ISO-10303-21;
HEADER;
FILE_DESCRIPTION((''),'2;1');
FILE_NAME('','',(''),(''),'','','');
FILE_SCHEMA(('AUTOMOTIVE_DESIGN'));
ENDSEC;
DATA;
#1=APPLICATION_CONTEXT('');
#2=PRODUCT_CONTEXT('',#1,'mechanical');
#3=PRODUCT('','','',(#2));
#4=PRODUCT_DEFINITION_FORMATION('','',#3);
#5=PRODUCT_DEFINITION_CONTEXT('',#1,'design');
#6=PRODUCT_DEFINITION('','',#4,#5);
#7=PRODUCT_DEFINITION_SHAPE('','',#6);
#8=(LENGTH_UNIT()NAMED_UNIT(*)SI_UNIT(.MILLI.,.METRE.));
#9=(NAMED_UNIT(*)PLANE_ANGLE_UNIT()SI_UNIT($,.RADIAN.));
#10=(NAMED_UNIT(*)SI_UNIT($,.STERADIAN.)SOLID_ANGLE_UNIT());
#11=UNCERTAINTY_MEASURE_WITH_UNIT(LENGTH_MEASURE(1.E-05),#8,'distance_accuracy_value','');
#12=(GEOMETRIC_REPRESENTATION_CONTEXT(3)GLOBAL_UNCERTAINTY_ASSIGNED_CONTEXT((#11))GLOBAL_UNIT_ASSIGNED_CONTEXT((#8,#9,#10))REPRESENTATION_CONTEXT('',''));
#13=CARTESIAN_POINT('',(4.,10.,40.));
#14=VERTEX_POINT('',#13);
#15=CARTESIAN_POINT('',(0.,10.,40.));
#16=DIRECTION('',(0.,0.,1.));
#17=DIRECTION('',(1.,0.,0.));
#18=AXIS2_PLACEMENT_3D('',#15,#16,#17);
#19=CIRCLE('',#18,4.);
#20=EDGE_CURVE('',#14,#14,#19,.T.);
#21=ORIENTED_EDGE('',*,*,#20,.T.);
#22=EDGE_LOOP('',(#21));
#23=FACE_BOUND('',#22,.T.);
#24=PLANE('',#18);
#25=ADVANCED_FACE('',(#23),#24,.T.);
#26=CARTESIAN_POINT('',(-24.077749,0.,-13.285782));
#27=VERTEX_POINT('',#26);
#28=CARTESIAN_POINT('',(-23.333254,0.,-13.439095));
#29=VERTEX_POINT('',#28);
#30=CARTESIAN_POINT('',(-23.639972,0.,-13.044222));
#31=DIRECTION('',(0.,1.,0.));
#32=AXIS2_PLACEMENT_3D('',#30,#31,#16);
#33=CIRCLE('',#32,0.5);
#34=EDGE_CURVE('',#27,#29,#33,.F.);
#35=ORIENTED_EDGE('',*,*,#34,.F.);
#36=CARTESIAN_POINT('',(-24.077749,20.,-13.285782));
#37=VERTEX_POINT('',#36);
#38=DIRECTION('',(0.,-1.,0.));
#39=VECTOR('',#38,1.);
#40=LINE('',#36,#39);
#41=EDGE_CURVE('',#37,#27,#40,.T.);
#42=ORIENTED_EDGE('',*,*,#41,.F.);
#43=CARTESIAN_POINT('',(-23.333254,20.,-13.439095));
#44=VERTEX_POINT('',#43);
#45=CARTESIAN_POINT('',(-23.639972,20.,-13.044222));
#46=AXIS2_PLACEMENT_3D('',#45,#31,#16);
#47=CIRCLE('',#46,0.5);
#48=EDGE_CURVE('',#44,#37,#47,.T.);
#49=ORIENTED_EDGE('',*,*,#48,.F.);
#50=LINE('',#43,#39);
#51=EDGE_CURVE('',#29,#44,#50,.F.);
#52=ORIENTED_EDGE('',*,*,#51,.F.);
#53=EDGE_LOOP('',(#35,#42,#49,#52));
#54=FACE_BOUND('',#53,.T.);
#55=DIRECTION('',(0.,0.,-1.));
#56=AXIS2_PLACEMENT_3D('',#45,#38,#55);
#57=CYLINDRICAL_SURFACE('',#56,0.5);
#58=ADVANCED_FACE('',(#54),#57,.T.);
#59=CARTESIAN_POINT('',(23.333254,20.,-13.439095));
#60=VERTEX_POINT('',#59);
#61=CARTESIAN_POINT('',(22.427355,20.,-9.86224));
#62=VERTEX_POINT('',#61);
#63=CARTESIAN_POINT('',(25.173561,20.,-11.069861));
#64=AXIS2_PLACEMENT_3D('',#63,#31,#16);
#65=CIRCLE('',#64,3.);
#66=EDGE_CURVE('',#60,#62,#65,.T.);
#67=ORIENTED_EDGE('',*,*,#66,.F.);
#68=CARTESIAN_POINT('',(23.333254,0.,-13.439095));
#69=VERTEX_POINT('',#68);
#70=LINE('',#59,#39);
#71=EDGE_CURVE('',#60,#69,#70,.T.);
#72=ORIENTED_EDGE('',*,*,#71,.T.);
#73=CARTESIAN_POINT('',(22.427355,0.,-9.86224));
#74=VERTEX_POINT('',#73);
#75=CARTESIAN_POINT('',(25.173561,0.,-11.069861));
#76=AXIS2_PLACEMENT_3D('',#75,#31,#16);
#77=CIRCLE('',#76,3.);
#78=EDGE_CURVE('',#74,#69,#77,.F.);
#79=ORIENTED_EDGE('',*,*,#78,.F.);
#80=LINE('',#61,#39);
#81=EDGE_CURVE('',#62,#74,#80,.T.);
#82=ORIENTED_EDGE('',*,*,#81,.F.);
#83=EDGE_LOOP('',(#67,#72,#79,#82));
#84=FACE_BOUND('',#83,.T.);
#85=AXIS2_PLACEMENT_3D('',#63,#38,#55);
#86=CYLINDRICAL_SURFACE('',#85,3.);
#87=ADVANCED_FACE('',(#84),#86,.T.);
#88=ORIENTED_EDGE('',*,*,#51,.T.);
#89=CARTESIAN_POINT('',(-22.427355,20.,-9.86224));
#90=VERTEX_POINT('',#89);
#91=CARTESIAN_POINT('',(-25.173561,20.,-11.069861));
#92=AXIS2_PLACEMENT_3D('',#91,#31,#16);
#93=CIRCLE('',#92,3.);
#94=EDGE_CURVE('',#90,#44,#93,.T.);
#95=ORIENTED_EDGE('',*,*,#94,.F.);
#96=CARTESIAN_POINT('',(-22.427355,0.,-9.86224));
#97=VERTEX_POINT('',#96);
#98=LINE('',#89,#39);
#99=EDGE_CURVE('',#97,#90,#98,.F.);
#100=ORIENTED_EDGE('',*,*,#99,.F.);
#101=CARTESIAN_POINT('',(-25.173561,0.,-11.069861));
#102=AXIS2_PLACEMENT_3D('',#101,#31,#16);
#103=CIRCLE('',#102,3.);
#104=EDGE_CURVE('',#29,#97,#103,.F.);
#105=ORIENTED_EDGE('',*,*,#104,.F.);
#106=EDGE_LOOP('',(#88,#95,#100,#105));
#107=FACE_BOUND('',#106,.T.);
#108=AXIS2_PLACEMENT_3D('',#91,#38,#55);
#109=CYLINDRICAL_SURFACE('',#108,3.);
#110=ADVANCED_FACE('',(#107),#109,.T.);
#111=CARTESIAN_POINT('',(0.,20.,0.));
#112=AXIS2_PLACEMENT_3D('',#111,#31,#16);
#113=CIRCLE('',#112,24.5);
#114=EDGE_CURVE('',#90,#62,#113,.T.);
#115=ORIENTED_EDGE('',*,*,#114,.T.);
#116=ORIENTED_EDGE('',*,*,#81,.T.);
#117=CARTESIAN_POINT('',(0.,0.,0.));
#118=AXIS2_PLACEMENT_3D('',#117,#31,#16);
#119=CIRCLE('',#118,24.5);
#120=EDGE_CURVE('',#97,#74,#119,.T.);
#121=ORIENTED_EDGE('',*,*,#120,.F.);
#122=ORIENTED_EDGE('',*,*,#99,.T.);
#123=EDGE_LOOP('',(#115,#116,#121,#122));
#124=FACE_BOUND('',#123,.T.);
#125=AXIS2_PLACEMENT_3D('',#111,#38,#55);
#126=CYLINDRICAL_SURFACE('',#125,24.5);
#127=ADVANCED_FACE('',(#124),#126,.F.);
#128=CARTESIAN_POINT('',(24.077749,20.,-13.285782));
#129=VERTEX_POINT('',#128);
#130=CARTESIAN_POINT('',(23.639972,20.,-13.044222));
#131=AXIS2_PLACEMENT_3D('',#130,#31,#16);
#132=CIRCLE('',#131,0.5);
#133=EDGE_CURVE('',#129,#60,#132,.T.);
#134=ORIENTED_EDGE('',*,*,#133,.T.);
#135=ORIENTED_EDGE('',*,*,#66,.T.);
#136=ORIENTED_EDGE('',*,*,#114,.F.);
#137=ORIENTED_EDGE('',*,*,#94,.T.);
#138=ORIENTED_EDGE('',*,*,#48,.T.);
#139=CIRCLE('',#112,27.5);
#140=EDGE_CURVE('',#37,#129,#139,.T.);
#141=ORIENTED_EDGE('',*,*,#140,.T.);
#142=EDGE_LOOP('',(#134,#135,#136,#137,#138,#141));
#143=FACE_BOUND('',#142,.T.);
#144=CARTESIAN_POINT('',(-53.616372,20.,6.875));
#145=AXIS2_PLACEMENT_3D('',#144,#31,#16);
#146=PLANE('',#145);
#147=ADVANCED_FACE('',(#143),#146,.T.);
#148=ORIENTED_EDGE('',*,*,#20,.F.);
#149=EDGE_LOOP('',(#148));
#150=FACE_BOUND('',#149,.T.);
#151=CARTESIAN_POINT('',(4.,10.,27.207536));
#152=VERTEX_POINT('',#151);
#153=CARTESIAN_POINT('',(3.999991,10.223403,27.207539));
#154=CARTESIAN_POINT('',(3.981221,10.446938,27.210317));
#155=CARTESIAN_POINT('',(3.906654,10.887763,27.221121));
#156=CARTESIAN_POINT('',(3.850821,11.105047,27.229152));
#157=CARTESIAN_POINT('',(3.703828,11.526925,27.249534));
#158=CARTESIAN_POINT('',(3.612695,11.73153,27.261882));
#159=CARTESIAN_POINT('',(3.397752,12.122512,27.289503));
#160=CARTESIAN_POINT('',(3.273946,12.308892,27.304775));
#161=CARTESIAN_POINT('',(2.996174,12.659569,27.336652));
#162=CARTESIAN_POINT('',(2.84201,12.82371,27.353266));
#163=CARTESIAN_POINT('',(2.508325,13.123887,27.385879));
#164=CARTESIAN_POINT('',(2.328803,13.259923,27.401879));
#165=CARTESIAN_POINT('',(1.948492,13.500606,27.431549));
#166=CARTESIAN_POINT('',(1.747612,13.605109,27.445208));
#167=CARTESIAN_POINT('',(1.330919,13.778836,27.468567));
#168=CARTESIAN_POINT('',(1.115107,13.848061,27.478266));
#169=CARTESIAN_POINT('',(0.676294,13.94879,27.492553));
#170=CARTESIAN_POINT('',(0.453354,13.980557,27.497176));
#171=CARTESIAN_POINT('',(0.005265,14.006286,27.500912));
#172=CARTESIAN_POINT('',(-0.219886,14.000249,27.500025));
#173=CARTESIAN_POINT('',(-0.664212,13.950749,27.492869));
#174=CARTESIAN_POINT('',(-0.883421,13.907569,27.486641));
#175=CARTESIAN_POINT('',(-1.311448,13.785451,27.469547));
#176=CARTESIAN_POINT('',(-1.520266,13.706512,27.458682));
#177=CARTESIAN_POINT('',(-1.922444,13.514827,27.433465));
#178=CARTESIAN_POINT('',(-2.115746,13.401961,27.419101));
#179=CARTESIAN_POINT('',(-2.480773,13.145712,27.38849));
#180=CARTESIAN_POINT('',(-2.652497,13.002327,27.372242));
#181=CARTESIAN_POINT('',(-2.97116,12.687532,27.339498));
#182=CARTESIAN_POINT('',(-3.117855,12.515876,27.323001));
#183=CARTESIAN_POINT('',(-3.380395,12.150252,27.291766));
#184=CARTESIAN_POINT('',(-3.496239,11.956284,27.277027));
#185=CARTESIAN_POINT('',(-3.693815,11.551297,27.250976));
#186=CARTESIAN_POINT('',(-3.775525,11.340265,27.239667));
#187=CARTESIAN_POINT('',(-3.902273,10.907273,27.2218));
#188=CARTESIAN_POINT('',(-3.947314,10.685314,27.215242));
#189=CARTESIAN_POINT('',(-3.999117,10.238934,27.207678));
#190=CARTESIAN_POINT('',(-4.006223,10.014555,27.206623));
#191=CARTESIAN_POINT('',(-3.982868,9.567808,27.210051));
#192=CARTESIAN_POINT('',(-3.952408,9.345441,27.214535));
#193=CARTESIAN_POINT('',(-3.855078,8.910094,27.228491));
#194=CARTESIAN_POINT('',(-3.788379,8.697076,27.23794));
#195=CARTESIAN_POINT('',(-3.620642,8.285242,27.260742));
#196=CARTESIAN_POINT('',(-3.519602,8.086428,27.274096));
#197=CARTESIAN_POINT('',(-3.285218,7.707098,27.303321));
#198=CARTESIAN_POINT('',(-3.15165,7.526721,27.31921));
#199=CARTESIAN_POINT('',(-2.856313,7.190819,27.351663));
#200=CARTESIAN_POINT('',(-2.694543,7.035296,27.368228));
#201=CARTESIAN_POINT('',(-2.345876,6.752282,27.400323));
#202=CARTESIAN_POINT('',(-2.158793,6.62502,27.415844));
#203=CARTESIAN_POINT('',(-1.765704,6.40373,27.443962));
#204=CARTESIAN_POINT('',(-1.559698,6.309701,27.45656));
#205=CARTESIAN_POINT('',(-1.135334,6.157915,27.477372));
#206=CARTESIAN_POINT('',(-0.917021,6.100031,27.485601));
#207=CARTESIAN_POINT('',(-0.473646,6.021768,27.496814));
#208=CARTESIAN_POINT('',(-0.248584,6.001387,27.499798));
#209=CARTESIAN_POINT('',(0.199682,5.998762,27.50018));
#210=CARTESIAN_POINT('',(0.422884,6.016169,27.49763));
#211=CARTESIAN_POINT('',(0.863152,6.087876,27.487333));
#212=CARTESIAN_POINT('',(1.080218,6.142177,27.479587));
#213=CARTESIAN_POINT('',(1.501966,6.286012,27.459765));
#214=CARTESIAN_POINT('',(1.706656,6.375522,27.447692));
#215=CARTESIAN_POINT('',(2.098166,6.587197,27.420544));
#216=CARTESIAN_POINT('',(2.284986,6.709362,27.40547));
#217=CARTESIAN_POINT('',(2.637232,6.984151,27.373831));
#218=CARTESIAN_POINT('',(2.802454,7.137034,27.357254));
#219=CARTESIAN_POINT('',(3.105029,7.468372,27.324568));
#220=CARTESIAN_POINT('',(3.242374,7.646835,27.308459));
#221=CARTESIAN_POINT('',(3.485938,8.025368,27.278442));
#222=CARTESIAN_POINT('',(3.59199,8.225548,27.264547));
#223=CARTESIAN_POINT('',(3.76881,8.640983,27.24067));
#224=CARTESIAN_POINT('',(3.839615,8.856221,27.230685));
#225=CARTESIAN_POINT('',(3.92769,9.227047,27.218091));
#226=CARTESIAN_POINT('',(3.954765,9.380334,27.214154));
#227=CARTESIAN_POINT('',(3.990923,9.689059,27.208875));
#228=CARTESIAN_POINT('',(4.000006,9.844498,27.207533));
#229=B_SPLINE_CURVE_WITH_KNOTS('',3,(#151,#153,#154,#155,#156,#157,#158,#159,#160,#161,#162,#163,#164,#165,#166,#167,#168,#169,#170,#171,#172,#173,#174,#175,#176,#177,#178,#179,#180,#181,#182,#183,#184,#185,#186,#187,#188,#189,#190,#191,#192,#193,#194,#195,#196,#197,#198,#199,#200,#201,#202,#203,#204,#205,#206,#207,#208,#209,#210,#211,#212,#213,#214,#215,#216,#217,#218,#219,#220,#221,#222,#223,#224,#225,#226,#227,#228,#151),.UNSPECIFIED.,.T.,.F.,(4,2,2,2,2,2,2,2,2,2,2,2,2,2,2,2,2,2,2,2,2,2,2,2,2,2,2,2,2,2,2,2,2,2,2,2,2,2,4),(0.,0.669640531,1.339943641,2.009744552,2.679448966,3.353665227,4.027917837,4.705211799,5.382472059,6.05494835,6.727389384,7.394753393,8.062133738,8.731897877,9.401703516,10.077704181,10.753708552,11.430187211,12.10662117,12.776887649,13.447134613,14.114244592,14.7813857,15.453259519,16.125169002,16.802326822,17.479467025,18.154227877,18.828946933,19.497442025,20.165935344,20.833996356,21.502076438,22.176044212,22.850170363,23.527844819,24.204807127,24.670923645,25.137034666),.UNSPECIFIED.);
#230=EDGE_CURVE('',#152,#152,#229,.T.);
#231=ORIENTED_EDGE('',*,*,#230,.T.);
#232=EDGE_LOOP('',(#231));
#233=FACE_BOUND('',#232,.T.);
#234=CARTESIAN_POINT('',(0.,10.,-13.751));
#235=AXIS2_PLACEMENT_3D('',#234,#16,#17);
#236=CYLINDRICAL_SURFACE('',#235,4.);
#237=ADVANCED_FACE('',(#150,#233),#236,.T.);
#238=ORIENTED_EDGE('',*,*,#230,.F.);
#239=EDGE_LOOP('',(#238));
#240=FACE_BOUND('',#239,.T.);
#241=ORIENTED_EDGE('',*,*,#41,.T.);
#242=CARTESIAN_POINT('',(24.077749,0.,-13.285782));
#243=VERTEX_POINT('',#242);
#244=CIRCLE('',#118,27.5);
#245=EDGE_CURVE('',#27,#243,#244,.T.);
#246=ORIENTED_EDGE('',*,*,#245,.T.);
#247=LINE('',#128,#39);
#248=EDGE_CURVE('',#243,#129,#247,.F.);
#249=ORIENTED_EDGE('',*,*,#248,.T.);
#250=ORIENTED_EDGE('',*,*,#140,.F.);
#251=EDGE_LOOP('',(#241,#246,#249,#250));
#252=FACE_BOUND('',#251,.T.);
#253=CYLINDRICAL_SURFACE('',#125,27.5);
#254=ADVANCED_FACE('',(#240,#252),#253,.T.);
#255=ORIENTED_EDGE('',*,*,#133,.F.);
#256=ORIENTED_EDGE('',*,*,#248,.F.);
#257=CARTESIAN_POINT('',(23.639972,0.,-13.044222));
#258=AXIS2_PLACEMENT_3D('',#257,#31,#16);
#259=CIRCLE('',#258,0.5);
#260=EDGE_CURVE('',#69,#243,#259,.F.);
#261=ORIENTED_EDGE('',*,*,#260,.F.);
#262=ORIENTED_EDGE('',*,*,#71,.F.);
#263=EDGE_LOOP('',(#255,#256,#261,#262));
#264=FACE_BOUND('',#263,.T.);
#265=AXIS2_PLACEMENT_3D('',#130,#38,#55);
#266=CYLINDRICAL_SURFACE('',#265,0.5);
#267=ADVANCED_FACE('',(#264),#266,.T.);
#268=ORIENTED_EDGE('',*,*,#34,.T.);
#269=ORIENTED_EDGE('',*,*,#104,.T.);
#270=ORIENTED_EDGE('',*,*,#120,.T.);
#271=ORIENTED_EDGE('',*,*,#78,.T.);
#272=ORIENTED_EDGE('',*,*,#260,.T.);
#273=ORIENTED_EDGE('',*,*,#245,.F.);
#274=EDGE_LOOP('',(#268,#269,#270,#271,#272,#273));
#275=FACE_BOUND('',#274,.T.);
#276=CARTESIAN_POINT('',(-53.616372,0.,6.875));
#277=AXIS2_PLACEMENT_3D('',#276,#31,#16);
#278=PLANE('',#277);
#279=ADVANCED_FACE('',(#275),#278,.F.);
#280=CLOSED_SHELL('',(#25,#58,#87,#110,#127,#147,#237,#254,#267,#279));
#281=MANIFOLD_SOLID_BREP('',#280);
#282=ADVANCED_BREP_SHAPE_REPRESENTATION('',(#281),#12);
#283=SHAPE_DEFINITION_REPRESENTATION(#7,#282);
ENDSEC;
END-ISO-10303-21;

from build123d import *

# Parameters (mm, degrees)
EXTRUIR1_DEPTH      = 20
EXTRUIR2_REACH      = 85.732
EXTRUIR2_END_RADIUS = 27.5
EXTRUIR2_START      = 40
CROQUIS2_R          = 4
REDONDEO1_R         = 3
REDONDEO2_R         = 0.5


with BuildPart() as part:
    # Croquis1 → Extruir1 (new body)
    with BuildSketch(Plane(origin=(0, 0, 0), x_dir=(1, 0, 0), z_dir=(0, 1, 0))):
        with BuildLine():
            Line((23.815698604, 13.75), (21.217622393, 12.25))
            ThreePointArc((21.217622393, 12.25), (0, -24.5), (-21.217622393, 12.25))
            Line((-21.217622393, 12.25), (-23.815698604, 13.75))
            ThreePointArc((-23.815698604, 13.75), (0, -27.5), (23.815698604, 13.75))
        make_face()
    extrude(amount=EXTRUIR1_DEPTH)

    # Extruir2: up to this cylinder (the profile starts outside it)
    extruir2_end = Plane(origin=(0, 10, 0), z_dir=(0, -1, 0)) * Cylinder(EXTRUIR2_END_RADIUS, 227.464, mode=Mode.PRIVATE)
    # Croquis2 → Extruir2 (add, up to the surface)
    with BuildSketch(Plane.XY.offset(EXTRUIR2_START), mode=Mode.PRIVATE) as extruir2_sk1:
        with Locations((0, 10)):
            Circle(CROQUIS2_R)
    extruir2_tool1 = extrude(extruir2_sk1.sketch, amount=-EXTRUIR2_REACH, mode=Mode.PRIVATE) - extruir2_end
    add(extruir2_tool1.solids().sort_by_distance((0, 10, 40))[0])

    # Redondeo1
    redondeo1_edges = [part.edges().sort_by_distance(p)[0] for p in [
        (21.217622393, 10, -12.25),
        (-21.217622393, 10, -12.25),
    ]]
    fillet(redondeo1_edges, radius=REDONDEO1_R)

    # Redondeo2
    redondeo2_edges = [part.edges().sort_by_distance(p)[0] for p in [
        (23.815698604, 10, -13.75),
        (-23.815698604, 10, -13.75),
    ]]
    fillet(redondeo2_edges, radius=REDONDEO2_R)


solid = part.part
